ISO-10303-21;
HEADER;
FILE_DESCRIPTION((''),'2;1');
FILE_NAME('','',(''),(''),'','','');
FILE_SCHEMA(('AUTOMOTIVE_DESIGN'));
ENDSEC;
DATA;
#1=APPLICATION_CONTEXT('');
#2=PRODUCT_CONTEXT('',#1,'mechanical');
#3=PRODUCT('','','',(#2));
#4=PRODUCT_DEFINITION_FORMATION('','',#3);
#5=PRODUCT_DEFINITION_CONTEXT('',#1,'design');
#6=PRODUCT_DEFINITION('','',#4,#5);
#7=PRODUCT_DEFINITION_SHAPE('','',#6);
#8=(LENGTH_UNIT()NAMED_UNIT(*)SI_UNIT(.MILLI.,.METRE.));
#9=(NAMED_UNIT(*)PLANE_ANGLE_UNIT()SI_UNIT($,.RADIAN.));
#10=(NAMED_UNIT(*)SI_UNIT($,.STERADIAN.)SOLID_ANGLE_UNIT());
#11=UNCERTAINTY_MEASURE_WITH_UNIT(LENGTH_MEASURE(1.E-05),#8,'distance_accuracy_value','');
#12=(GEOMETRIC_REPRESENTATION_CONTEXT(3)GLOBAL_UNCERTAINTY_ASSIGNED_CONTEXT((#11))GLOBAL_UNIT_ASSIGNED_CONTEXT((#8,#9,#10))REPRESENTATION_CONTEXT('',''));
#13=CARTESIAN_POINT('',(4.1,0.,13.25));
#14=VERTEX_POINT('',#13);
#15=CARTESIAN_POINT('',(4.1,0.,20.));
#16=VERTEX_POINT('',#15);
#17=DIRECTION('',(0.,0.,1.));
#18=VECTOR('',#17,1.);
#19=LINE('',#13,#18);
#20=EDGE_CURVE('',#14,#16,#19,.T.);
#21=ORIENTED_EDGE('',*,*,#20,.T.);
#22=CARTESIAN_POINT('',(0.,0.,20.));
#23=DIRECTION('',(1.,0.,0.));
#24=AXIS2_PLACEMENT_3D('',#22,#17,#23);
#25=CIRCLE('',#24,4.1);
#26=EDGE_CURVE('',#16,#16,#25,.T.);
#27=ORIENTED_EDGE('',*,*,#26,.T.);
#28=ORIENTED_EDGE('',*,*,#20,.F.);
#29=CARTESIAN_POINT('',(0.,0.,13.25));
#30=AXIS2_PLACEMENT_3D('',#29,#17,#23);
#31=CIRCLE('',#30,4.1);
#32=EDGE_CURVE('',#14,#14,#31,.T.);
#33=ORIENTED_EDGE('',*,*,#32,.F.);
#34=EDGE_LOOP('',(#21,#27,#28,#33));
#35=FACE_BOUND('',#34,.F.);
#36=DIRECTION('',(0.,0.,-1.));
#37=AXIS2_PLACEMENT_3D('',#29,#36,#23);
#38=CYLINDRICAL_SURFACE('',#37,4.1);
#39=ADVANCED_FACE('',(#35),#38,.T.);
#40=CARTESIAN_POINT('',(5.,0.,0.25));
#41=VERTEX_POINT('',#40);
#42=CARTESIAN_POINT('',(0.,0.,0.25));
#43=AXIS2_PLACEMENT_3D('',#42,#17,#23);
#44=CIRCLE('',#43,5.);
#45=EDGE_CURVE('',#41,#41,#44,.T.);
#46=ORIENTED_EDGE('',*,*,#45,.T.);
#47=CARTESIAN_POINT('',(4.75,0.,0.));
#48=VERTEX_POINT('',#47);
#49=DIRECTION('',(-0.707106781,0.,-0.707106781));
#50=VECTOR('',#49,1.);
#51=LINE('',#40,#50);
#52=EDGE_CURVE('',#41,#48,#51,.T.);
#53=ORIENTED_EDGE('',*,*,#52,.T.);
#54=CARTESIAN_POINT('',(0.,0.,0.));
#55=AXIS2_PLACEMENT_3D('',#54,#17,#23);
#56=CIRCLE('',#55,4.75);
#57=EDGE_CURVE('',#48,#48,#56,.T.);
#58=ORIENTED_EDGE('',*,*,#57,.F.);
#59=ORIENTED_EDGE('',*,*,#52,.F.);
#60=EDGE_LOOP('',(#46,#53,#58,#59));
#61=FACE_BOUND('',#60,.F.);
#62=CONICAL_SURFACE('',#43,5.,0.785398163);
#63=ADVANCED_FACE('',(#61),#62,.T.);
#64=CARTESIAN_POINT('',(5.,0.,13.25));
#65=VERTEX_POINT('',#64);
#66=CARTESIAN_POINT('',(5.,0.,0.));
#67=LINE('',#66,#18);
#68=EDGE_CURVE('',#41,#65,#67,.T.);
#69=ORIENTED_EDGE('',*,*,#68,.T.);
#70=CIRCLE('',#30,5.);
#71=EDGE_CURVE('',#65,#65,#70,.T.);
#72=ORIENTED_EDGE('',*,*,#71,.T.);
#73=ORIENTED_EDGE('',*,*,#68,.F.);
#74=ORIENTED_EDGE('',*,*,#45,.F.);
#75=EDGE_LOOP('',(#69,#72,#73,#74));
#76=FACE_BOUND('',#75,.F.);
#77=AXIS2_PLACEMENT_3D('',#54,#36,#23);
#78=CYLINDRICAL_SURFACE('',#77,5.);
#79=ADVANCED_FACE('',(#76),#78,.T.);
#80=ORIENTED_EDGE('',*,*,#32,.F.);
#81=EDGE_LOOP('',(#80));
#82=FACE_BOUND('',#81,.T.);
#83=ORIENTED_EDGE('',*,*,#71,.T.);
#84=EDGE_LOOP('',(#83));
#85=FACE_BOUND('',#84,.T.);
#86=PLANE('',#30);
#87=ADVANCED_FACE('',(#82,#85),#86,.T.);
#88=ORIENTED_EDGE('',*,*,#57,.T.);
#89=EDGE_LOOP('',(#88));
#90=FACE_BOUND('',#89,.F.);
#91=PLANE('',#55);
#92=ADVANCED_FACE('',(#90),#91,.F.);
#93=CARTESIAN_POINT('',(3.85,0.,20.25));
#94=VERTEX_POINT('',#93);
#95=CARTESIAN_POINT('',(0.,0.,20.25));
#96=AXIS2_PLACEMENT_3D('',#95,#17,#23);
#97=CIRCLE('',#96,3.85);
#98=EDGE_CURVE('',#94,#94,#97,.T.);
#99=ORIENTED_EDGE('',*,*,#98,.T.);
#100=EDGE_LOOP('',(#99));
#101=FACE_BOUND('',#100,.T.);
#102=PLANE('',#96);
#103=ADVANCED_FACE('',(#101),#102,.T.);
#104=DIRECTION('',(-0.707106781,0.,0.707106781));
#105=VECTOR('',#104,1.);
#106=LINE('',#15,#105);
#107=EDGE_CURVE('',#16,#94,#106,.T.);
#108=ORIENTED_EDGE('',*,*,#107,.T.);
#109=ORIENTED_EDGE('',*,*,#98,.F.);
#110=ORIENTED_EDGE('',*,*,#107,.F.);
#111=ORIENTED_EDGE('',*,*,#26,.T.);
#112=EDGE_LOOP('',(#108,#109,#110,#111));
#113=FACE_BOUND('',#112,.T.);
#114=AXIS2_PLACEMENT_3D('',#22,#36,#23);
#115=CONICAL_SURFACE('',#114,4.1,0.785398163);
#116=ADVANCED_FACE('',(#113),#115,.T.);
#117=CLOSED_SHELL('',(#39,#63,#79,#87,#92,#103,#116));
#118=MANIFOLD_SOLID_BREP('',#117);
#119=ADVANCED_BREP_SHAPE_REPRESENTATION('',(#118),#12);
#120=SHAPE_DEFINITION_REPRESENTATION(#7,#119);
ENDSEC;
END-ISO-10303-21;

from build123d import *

# Parameters (mm, degrees)
SKETCH_R        = 5
PAD_DEPTH       = 13.25
SKETCH001_R     = 4.1
PAD001_DEPTH    = 7
CHAMFER_SIZE    = 0.25
CHAMFER001_SIZE = 0.25


with BuildPart() as part:
    # Sketch → Pad (new body)
    with BuildSketch(Plane.XY):
        Circle(SKETCH_R)
    extrude(amount=PAD_DEPTH)

    # Sketch001 (on Face3 of Pad) → Pad001 (join)
    with BuildSketch(Plane.XY.offset(13.25)):
        Circle(SKETCH001_R)
    extrude(amount=PAD001_DEPTH)

    # Chamfer
    chamfer_edges = [part.edges().sort_by_distance(p)[0] for p in [
        (-4.1, 0, 20.25),
    ]]
    chamfer(chamfer_edges, length=CHAMFER_SIZE)

    # Chamfer001
    chamfer001_edges = [part.edges().sort_by_distance(p)[0] for p in [
        (-5, 0, 0),
    ]]
    chamfer(chamfer001_edges, length=CHAMFER001_SIZE)


solid = part.part
